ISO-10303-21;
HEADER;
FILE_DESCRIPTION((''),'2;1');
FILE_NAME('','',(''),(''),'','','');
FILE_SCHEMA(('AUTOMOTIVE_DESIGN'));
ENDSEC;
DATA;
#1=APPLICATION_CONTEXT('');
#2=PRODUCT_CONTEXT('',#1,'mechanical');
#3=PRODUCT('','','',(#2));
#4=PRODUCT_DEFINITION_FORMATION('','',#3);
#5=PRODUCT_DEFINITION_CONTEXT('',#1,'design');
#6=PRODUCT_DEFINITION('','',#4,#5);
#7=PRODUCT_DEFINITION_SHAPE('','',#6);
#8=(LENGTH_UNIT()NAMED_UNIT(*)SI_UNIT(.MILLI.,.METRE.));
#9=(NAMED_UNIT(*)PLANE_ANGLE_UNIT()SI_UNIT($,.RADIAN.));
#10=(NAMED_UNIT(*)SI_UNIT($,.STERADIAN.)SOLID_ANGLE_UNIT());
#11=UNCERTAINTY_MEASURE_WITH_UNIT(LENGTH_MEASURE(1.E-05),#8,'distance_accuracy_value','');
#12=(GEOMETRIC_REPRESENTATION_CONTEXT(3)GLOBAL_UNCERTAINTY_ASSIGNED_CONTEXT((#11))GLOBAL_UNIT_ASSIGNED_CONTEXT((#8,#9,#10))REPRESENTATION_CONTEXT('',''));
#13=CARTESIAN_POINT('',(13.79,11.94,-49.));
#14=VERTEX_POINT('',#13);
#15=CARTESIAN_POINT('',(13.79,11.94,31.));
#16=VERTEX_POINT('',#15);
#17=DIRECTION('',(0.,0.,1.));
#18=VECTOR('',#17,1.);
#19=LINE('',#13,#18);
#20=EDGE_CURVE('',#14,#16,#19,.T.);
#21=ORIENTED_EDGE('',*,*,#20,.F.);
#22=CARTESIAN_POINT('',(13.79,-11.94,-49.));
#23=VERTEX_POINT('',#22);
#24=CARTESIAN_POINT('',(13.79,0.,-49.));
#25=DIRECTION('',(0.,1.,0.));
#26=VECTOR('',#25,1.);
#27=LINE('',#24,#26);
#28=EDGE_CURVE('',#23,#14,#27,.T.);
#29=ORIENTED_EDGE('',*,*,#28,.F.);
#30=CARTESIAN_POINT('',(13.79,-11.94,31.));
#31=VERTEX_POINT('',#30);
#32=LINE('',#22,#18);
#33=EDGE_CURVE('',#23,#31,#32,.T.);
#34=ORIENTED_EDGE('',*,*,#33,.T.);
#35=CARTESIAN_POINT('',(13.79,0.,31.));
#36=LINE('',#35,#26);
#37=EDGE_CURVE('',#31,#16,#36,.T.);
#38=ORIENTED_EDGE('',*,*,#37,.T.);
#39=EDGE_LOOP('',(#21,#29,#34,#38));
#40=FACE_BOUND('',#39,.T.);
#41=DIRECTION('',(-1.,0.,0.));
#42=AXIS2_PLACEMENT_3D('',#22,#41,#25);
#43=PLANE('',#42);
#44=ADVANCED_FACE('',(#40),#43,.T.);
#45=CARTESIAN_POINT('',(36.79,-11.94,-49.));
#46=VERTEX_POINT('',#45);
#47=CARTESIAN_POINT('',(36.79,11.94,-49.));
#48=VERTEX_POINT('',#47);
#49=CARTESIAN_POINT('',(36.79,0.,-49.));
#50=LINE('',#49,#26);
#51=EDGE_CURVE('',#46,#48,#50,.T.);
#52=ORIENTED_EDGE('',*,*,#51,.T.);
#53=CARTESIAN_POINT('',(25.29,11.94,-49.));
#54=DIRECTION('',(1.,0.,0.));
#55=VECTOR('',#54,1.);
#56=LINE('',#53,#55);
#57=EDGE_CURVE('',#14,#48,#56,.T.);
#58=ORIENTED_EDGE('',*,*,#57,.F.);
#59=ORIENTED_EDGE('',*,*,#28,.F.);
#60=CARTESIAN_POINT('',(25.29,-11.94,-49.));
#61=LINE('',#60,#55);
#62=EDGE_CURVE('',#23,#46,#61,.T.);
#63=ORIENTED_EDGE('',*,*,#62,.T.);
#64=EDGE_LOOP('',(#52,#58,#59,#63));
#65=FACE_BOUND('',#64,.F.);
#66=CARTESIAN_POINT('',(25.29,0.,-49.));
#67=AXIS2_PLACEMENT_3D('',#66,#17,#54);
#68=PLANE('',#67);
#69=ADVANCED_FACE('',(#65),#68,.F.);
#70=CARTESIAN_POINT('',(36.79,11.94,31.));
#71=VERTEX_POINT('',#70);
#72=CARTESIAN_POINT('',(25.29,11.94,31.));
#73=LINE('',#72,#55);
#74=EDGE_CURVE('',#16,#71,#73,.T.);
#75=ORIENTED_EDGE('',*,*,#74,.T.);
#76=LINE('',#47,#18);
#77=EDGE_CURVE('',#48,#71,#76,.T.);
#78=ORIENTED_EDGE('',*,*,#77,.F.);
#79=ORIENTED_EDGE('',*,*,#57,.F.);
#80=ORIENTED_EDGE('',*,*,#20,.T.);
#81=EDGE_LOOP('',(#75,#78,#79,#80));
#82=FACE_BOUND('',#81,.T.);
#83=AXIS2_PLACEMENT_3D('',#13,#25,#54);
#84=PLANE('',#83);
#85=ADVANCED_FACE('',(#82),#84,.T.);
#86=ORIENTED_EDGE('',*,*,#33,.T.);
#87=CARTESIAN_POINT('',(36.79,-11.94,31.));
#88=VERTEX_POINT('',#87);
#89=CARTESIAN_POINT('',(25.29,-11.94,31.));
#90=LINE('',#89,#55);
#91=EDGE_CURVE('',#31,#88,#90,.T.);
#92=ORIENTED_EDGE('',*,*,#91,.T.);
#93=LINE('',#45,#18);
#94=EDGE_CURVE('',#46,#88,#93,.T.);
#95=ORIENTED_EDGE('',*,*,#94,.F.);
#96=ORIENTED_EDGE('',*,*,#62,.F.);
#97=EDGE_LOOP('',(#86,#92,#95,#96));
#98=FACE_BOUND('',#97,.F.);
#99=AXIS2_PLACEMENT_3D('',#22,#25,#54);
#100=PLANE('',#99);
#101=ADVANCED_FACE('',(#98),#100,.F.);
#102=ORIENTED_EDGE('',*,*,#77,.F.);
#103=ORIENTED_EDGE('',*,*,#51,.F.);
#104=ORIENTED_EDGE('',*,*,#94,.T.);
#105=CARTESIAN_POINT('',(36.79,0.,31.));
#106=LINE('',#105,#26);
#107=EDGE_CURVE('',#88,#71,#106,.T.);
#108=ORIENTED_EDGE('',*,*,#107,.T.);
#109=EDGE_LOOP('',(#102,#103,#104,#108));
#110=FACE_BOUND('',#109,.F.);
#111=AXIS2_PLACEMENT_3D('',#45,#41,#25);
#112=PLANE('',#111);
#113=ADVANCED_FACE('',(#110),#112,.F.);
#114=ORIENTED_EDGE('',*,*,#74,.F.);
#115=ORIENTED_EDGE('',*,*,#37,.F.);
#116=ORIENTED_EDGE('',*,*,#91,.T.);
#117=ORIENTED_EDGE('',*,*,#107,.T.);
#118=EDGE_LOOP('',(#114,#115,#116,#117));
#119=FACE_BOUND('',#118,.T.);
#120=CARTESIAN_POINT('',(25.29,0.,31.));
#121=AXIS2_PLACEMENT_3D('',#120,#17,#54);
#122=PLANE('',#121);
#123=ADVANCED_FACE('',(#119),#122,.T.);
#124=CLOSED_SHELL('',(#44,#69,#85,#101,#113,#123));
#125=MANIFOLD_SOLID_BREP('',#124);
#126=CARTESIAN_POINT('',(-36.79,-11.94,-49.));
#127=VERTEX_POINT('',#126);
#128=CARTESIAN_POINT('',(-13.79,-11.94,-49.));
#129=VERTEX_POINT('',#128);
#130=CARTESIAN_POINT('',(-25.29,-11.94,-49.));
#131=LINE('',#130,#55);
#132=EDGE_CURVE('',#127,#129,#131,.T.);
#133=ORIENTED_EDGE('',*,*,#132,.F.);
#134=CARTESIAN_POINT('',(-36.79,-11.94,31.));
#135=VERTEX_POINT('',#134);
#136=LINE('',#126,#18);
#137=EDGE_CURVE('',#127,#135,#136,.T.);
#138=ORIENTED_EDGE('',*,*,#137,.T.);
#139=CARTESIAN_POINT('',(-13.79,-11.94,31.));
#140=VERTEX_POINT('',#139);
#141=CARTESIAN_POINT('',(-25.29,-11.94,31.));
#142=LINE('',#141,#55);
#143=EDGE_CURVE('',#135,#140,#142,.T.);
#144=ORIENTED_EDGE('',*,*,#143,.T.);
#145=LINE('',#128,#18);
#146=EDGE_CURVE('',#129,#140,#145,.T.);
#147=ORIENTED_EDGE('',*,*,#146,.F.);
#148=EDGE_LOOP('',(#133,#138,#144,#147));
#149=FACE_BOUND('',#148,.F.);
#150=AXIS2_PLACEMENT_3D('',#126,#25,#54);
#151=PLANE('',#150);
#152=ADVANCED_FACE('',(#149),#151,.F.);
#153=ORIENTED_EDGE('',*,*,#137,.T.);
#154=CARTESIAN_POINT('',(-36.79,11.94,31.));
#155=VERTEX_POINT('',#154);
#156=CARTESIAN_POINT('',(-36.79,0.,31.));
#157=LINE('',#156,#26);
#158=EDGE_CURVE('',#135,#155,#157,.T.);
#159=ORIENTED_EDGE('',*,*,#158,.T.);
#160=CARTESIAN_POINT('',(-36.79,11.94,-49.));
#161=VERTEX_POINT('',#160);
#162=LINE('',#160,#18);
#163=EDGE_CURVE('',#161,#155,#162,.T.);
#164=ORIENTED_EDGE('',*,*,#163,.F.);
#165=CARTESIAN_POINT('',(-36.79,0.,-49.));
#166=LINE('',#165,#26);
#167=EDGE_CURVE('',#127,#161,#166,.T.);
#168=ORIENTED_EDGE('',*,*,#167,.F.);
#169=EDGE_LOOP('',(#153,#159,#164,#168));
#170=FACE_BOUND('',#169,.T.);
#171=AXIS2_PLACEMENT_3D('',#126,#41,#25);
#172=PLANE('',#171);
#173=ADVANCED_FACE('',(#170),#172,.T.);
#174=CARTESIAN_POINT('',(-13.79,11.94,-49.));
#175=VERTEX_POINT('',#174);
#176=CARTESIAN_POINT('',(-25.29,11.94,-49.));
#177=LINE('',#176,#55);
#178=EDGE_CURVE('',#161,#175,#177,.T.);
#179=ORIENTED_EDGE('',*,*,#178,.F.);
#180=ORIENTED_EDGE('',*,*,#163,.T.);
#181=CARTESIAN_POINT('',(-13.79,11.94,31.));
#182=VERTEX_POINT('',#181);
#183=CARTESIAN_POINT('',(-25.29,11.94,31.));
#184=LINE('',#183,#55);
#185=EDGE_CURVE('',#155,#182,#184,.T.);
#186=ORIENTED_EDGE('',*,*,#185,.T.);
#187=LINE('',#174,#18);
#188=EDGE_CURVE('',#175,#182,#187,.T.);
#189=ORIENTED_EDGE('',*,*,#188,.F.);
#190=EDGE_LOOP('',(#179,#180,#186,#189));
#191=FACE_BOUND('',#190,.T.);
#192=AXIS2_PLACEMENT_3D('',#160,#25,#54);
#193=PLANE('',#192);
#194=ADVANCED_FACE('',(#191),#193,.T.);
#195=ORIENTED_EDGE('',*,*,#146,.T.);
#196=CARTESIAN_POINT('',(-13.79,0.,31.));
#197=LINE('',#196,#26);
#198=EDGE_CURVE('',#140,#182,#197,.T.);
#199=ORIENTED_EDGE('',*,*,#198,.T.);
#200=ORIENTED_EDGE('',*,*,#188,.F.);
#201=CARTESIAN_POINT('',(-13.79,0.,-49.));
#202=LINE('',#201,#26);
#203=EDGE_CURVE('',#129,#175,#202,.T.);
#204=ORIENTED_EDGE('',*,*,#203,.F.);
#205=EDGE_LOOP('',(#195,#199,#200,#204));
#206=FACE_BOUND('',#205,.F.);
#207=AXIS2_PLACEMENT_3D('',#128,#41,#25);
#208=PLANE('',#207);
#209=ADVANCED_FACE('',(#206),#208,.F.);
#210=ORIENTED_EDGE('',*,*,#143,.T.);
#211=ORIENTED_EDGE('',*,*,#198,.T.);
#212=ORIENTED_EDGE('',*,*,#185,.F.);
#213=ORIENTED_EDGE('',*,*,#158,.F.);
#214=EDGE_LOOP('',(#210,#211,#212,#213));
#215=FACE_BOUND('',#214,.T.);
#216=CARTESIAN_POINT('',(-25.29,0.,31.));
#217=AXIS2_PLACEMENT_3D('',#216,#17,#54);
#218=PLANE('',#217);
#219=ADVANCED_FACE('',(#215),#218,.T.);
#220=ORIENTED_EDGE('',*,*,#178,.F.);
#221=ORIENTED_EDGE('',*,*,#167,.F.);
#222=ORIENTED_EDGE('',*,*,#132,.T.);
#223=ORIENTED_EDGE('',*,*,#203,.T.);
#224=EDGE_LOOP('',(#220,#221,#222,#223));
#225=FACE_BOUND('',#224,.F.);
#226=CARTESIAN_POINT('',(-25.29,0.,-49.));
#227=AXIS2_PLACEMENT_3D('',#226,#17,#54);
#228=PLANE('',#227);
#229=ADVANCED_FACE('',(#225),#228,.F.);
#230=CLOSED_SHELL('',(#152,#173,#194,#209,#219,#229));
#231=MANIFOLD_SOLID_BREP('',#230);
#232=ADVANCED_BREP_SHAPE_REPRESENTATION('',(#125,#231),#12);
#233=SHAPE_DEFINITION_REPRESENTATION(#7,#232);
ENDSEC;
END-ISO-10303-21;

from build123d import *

# Parameters (mm, degrees)
BOX013_W     = 23
BOX013_H     = 23.88
BOX013_DEPTH = 80
BOX012_W     = 23
BOX012_H     = 23.88
BOX012_DEPTH = 80


with BuildPart() as cork001:
    # Box013 → Box013 (new body)
    with BuildSketch(Plane(origin=(-36.79, -11.94, -49), x_dir=(1, 0, 0), z_dir=(0, 0, 1))):
        with Locations((11.5, 11.94)):
            Rectangle(BOX013_W, BOX013_H)
    extrude(amount=BOX013_DEPTH)


with BuildPart() as cork:
    # Box012 → Box012 (new body)
    with BuildSketch(Plane(origin=(13.79, -11.94, -49), x_dir=(1, 0, 0), z_dir=(0, 0, 1))):
        with Locations((11.5, 11.94)):
            Rectangle(BOX012_W, BOX012_H)
    extrude(amount=BOX012_DEPTH)

    # Fusion030: union Cork001
    add(cork001.part)


solid = cork.part
